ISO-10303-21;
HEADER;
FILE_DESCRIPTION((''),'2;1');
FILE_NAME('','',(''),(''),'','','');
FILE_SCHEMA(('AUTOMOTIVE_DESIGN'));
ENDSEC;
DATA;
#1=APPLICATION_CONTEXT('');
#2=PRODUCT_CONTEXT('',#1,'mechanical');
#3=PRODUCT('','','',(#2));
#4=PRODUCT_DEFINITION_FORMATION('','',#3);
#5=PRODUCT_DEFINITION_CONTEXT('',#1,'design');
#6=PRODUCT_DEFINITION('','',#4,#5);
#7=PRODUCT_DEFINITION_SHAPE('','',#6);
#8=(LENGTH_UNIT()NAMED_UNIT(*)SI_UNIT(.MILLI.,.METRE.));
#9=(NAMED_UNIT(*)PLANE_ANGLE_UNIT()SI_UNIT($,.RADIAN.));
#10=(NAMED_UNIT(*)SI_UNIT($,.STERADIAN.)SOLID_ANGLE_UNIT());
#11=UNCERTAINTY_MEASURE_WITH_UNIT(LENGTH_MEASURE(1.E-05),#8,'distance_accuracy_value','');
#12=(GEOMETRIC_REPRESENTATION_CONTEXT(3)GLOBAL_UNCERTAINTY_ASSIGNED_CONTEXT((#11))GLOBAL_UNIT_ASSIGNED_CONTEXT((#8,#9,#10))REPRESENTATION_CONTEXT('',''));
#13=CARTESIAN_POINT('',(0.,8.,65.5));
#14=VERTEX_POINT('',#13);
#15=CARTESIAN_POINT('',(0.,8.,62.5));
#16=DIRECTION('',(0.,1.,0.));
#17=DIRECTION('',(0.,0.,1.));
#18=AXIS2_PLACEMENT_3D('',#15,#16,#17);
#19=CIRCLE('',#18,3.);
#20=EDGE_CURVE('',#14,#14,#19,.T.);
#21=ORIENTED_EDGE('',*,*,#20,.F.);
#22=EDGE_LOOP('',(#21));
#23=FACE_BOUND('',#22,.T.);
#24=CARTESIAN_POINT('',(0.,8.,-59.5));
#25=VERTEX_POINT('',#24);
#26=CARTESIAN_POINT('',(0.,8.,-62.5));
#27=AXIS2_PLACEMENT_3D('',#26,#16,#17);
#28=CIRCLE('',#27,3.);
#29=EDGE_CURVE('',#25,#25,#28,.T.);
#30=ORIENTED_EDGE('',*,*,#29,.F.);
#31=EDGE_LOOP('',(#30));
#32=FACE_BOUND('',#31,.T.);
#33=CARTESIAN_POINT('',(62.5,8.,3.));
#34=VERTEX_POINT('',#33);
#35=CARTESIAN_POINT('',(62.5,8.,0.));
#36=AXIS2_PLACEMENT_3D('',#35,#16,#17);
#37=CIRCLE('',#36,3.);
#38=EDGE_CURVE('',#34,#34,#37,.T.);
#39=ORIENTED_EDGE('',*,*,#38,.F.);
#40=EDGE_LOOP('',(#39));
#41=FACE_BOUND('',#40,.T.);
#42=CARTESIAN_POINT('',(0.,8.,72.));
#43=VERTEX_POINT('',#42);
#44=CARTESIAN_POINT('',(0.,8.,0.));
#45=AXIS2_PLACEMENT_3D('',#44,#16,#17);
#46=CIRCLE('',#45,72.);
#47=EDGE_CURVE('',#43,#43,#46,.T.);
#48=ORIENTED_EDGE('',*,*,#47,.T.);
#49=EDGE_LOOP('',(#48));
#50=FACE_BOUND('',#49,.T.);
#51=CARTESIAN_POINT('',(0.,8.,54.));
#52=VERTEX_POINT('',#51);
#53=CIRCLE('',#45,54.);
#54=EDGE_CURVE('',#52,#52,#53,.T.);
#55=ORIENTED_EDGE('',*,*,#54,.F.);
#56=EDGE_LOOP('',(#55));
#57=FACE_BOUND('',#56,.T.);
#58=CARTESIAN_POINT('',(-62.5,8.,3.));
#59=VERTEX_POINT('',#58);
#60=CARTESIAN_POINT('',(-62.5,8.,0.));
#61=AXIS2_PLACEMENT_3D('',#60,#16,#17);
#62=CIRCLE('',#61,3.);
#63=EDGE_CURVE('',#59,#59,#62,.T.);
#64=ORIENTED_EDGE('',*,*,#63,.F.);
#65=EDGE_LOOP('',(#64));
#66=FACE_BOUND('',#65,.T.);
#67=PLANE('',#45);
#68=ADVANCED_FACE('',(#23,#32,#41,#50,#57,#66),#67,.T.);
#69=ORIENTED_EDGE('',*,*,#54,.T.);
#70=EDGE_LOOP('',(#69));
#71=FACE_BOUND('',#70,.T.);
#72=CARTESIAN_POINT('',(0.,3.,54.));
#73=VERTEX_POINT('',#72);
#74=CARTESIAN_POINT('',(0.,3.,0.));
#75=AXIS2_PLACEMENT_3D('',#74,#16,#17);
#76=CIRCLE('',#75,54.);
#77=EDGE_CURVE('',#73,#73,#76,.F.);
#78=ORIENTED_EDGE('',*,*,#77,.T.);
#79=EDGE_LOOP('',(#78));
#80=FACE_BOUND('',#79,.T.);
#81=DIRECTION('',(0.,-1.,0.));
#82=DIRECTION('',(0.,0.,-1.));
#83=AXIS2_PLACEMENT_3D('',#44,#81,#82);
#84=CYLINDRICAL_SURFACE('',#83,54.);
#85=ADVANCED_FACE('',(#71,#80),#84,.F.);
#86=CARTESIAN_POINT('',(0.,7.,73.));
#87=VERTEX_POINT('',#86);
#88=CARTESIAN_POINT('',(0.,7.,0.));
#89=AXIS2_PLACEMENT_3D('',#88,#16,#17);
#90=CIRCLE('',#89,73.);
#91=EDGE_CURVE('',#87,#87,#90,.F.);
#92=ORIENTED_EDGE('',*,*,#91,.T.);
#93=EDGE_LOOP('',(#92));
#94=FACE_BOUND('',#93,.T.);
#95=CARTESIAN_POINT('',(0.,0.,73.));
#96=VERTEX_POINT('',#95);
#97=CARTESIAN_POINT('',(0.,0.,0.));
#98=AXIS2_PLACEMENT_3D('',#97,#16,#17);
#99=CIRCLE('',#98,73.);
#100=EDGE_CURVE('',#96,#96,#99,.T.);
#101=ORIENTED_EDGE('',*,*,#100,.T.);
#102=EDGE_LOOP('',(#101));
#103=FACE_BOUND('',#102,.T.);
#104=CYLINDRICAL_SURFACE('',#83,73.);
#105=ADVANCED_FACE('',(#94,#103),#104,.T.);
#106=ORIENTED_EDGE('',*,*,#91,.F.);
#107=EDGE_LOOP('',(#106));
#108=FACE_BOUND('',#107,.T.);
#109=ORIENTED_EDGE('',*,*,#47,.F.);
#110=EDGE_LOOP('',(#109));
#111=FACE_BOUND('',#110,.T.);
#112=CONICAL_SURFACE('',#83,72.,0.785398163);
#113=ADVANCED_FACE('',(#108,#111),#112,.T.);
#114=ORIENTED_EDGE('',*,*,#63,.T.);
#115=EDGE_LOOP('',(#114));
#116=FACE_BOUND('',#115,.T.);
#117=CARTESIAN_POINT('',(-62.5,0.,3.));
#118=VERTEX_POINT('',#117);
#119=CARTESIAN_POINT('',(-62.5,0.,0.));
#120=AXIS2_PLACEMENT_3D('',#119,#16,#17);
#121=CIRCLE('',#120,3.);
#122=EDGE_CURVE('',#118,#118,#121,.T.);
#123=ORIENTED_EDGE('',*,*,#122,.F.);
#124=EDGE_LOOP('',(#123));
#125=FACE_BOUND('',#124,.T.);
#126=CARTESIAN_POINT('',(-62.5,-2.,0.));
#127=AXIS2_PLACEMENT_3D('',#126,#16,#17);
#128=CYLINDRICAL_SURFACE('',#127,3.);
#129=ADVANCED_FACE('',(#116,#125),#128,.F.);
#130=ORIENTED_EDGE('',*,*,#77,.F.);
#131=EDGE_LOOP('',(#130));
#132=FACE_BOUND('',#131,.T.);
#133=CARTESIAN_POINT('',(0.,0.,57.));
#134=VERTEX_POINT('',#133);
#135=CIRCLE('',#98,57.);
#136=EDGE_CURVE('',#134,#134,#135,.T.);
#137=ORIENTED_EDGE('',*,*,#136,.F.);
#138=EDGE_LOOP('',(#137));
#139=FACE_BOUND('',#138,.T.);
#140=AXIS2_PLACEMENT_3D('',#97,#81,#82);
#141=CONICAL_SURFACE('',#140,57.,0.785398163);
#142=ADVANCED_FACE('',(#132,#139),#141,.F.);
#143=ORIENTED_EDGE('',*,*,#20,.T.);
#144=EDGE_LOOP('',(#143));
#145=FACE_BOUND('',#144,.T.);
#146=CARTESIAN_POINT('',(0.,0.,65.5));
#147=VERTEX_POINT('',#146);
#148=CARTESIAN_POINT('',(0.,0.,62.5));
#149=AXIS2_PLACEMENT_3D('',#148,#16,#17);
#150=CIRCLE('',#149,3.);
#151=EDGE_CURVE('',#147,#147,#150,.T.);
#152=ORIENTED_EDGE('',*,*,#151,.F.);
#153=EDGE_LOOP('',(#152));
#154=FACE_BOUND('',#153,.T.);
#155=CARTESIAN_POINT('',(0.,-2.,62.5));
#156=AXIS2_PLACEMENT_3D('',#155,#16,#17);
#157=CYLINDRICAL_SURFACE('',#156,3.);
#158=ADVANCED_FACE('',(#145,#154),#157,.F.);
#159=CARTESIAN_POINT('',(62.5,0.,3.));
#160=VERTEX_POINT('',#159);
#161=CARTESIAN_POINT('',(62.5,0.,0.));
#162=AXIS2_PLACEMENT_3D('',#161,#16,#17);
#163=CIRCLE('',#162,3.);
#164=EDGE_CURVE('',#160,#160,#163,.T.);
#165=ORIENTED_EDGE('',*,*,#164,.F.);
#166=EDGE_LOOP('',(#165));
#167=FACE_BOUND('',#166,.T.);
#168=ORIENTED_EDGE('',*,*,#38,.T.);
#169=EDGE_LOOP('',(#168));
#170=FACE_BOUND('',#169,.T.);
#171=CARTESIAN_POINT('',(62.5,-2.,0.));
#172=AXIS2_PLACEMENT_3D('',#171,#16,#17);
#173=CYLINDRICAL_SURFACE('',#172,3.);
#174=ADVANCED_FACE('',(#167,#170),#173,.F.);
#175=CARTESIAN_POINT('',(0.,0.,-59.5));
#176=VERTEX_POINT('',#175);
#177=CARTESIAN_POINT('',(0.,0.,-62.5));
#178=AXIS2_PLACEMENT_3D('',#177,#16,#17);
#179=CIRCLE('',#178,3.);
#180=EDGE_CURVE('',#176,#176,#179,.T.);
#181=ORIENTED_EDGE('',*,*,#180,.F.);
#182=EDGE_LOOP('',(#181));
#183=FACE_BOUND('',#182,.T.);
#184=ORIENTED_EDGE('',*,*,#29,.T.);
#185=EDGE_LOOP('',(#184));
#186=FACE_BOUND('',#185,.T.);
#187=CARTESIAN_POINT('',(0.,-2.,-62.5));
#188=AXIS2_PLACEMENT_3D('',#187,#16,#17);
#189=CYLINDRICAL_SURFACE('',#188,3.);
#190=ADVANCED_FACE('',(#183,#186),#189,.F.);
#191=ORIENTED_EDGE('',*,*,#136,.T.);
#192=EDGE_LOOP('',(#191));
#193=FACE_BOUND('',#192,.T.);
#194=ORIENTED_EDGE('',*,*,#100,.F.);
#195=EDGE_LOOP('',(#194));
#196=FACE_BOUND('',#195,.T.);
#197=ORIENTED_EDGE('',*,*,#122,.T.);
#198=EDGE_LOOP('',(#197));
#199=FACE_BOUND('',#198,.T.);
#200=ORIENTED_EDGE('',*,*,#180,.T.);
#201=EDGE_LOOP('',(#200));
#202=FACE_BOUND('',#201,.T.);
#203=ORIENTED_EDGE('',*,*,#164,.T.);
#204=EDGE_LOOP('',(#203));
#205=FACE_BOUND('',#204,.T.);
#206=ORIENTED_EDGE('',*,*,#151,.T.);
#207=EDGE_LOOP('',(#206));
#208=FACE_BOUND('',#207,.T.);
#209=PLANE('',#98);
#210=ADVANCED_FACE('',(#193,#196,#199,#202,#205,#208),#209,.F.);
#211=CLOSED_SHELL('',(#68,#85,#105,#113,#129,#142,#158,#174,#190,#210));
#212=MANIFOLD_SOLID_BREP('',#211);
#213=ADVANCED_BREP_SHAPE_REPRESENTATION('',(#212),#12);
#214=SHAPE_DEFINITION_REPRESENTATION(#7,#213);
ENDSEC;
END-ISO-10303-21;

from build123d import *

# Parameters (mm, degrees)
SKETCH_1_R          = 73
SKETCH_1_R_2        = 54
EXTRUDE_1_DEPTH     = 8
SKETCH_2_R          = 3
CUT_EXTRUDE_1_DEPTH = 10
CHAMFER_1_SIZE      = 1
CHAMFER_2_SIZE      = 3


with BuildPart() as part:
    # Эскиз1 → Бобышка-Вытянуть1 (new body)
    with BuildSketch(Plane(origin=(0, 0, 0), x_dir=(1, 0, 0), z_dir=(0, 1, 0))):
        with Locations(Location((0, 0, 0), (0, 0, 270))):
            Circle(SKETCH_1_R)
        with Locations(Location((0, 0, 0), (0, 0, 270))):
            Circle(SKETCH_1_R_2, mode=Mode.SUBTRACT)
    extrude(amount=EXTRUDE_1_DEPTH)

    # Эскиз2 → Вырез-Вытянуть1 (cut)
    with BuildSketch(Plane(origin=(0, 8, 0), x_dir=(-1, 0, 0), z_dir=(0, 1, 0))):
        with Locations(Location((62.5, 0, 0), (0, 0, 90))):
            Circle(SKETCH_2_R)
        with Locations(Location((0, -62.5, 0), (0, 0, 90))):
            Circle(SKETCH_2_R)
        with Locations(Location((0, 62.5, 0), (0, 0, 90))):
            Circle(SKETCH_2_R)
        with Locations(Location((-62.5, 0, 0), (0, 0, 90))):
            Circle(SKETCH_2_R)
    extrude(amount=-CUT_EXTRUDE_1_DEPTH, mode=Mode.SUBTRACT)

    # Фаска1
    chamfer_1_edges = [part.edges().sort_by_distance(p)[0] for p in [
        (0, 8, -73),
    ]]
    chamfer(chamfer_1_edges, length=CHAMFER_1_SIZE)

    # Фаска2
    chamfer_2_edges = [part.edges().sort_by_distance(p)[0] for p in [
        (0, 0, -54),
    ]]
    chamfer(chamfer_2_edges, length=CHAMFER_2_SIZE)


solid = part.part
